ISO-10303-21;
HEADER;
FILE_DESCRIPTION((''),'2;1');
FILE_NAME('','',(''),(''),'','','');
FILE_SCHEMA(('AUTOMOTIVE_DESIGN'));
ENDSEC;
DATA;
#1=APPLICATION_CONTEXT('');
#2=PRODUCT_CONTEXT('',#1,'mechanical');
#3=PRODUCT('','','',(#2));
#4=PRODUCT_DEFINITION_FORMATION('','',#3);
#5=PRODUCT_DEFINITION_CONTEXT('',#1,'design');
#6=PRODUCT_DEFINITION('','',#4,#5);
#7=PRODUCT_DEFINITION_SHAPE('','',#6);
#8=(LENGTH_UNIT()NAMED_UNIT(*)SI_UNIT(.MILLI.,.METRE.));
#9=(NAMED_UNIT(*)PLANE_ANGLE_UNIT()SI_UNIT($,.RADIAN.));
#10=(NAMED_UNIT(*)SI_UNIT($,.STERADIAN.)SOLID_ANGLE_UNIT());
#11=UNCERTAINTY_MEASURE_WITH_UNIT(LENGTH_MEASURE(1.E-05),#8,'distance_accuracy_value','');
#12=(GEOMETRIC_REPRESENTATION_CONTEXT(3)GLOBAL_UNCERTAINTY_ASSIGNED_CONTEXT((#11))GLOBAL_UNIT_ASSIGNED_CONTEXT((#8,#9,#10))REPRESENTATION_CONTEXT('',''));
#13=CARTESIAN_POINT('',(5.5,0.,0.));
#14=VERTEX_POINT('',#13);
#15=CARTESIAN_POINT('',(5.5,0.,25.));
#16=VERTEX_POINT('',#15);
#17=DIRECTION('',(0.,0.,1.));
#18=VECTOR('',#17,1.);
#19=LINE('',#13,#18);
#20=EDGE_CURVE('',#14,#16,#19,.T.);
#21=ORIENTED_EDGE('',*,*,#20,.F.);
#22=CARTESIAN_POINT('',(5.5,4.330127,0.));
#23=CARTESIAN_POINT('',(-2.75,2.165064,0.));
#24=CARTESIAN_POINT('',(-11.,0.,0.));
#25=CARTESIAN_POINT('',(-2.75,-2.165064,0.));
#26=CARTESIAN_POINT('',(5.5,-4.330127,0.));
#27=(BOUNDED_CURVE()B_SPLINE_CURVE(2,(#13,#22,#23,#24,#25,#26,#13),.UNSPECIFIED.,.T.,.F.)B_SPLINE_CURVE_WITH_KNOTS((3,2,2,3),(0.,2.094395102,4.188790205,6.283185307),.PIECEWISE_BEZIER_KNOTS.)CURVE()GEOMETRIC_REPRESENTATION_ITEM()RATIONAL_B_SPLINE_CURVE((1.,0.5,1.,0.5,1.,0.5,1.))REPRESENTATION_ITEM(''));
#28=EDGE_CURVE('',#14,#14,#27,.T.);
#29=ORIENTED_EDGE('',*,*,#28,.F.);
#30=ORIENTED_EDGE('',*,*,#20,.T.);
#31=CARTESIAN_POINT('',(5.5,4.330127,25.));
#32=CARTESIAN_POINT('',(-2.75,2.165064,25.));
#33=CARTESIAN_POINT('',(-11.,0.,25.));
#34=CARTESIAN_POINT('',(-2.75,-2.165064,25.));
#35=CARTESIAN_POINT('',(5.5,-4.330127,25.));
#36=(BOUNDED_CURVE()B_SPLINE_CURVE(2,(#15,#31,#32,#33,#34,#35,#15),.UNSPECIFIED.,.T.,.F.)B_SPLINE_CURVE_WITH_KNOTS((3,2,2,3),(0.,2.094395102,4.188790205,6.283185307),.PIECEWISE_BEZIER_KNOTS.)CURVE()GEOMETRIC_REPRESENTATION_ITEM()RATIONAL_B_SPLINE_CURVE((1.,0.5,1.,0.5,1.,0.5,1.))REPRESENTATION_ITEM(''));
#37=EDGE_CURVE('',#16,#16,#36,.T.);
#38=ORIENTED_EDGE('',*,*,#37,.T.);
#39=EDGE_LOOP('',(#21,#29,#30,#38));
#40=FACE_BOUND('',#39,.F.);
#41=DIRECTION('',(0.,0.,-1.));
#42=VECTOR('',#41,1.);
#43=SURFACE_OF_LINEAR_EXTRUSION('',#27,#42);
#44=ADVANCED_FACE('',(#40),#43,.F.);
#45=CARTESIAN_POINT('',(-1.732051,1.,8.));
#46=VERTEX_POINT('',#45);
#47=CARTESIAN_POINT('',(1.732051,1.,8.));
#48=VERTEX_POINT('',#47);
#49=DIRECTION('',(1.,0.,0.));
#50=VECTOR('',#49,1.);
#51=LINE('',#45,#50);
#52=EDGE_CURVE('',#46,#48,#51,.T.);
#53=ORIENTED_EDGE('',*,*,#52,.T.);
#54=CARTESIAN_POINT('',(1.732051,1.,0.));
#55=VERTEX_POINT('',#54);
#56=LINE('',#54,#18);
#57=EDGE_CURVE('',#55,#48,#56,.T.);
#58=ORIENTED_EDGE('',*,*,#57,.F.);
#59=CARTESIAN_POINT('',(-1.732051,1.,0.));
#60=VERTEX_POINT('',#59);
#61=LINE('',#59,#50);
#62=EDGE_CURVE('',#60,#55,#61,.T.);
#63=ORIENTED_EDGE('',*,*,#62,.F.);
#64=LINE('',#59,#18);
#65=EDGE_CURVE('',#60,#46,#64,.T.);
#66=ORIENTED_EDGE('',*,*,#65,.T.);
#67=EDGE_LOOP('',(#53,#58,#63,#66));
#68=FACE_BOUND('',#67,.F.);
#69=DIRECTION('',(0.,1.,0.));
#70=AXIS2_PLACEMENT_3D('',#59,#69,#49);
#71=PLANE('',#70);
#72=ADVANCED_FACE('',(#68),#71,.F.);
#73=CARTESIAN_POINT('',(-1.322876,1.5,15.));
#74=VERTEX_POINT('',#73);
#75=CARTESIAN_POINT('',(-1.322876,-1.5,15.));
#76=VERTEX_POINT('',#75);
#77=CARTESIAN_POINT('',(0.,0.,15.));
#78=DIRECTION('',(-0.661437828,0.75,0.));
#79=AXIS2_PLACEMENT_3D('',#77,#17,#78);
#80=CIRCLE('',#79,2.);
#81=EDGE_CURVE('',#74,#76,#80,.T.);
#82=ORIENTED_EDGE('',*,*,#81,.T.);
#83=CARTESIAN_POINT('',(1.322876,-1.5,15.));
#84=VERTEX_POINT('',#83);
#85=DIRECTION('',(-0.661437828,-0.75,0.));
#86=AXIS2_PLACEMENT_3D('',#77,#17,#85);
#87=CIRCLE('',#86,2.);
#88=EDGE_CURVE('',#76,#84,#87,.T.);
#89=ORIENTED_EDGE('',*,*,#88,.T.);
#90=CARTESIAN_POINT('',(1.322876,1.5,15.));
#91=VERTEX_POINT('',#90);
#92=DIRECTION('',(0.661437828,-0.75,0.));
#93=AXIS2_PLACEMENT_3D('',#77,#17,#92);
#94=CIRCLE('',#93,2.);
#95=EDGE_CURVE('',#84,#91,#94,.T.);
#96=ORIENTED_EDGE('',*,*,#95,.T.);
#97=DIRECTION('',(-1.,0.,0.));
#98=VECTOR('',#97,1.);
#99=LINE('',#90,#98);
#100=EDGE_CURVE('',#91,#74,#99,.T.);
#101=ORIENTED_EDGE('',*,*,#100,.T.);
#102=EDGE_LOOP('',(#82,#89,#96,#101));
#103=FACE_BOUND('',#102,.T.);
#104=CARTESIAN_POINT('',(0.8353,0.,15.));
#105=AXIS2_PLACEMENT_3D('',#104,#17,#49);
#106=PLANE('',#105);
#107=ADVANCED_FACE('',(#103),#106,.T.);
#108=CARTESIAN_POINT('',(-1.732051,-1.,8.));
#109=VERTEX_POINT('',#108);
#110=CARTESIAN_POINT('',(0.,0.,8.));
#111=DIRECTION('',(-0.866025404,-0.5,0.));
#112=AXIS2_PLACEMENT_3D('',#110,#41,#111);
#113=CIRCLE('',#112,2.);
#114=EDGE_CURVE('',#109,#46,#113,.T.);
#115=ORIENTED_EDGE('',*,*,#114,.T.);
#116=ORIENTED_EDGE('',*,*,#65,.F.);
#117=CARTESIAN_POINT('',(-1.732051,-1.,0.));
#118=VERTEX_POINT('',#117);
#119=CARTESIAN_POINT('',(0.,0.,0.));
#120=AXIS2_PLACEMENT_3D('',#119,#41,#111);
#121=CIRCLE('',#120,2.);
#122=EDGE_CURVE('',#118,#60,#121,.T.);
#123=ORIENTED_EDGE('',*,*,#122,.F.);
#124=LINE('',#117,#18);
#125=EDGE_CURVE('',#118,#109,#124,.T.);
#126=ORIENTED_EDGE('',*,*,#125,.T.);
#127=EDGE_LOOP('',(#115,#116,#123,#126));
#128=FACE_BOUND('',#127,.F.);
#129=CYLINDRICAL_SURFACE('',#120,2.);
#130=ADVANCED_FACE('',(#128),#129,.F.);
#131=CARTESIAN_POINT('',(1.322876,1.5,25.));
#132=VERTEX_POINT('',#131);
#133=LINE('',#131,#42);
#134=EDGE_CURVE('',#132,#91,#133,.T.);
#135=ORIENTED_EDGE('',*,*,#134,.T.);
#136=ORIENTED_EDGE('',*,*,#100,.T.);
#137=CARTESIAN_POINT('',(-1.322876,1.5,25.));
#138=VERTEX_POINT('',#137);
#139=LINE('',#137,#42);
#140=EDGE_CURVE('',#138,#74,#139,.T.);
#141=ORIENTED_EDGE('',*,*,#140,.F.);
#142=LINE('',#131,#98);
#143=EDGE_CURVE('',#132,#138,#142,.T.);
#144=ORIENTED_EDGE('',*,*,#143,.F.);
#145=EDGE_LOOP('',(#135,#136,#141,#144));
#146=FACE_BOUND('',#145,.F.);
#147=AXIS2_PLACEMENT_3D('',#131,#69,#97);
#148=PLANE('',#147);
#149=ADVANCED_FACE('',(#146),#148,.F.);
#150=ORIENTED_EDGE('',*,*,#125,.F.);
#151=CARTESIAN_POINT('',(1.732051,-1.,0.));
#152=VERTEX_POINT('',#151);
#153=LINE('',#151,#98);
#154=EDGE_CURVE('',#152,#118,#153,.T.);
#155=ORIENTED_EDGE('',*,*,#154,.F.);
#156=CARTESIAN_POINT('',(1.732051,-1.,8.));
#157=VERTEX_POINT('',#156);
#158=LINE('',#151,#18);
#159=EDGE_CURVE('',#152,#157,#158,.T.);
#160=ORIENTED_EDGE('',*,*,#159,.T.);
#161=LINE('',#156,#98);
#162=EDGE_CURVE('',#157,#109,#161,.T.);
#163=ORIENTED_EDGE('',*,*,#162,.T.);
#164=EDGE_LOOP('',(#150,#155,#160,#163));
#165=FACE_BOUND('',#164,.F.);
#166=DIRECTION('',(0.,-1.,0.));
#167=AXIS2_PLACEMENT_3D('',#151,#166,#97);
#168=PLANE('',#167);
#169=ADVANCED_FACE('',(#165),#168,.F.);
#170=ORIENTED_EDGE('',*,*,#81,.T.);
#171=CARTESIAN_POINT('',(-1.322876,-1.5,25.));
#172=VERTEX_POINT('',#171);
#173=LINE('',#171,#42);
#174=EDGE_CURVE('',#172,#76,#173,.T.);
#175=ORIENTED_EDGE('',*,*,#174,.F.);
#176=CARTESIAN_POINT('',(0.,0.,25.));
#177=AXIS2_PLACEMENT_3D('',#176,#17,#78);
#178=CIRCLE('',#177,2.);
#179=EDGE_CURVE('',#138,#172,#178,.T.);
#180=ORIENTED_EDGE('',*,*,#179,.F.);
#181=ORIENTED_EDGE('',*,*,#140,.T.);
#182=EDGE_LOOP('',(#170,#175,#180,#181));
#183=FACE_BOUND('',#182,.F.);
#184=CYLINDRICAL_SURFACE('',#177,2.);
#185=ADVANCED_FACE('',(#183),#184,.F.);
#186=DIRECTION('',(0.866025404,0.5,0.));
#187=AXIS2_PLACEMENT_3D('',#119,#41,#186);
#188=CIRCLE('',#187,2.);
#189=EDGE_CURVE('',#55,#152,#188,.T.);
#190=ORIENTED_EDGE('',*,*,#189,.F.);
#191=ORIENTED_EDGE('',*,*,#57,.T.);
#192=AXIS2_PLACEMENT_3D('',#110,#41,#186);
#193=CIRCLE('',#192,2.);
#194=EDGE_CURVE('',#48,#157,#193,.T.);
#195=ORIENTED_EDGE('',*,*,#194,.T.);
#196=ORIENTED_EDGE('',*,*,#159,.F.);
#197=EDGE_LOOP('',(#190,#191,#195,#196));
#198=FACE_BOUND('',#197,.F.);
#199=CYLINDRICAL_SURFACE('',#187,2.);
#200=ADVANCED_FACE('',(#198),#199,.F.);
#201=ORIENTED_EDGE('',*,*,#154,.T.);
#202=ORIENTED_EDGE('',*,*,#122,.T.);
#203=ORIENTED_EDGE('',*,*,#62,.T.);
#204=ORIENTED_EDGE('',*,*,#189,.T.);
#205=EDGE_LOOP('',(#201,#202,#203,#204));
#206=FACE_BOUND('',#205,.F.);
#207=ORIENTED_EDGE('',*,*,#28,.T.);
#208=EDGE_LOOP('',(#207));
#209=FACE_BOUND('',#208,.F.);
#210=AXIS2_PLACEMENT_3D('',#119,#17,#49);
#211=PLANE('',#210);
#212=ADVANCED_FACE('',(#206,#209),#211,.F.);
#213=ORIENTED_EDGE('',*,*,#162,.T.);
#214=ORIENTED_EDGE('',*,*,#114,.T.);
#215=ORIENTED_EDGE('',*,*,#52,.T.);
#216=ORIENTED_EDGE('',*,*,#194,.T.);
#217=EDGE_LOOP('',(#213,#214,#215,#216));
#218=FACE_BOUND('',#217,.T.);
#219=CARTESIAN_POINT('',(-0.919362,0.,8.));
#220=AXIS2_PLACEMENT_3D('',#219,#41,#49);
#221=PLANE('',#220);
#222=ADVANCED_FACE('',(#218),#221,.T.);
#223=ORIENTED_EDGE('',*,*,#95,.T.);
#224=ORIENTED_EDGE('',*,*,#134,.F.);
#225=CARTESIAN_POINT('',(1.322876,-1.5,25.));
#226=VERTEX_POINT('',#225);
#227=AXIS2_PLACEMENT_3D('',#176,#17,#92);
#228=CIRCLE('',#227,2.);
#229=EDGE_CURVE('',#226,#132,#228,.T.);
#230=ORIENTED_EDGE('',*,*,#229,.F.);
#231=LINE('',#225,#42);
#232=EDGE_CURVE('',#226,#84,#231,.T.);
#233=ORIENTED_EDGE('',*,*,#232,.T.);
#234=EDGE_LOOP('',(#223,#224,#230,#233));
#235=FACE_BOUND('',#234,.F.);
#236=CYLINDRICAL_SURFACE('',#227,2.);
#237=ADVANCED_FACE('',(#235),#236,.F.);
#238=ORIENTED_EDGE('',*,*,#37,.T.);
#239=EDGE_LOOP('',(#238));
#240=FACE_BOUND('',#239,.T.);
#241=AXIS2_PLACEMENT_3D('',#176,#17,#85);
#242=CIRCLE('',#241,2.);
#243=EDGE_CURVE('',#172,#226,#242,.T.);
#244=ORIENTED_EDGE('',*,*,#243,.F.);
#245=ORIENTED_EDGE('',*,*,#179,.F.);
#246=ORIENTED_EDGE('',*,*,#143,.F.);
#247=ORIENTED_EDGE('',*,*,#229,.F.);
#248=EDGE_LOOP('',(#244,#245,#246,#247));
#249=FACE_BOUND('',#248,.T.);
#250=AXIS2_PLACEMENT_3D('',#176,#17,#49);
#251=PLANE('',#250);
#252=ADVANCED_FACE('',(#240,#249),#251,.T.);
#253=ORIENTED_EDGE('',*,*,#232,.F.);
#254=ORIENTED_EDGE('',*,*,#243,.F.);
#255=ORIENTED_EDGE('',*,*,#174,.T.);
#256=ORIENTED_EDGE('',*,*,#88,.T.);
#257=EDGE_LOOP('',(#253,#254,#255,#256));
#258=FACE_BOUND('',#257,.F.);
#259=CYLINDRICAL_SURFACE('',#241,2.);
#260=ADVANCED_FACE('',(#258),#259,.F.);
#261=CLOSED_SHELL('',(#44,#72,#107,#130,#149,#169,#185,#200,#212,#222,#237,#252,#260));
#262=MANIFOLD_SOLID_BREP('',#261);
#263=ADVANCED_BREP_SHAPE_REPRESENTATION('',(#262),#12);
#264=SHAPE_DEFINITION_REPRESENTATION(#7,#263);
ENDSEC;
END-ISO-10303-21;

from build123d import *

# Parameters (mm, degrees)
F1_DEPTH = 25
F4_DEPTH = 10
F6_DEPTH = 8


with BuildPart() as f1:
    # F0 (on Top) → F1 (new body)
    with BuildSketch(Plane.XY):
        with BuildLine():
            add(Edge.make_bspline(
                [(5.5, 0), (5.5, 4.3301270189), (-2.75, 2.1650635095), (-11, 0), (-2.75, -2.1650635095), (5.5, -4.3301270189), (5.5, 0)],
                knots=[0, 0, 0, 2.0943951024, 2.0943951024, 4.1887902048, 4.1887902048, 6.2831853072, 6.2831853072, 6.2831853072], degree=2, weights=[1, 0.5, 1, 0.5, 1, 0.5, 1]))
        make_face()
    extrude(amount=F1_DEPTH)

    # F3 (on face) → F4 (cut)
    with BuildSketch(Plane.XY.offset(25)):
        with BuildLine():
            Line((1.3228756555, 1.5), (0, 1.5))
            Line((0, 1.5), (0, 0))
            Line((0, 0), (0, -1.5))
            Line((0, -1.5), (1.3228756555, -1.5))
            ThreePointArc((1.3228756555, -1.5), (2, 0), (1.3228756555, 1.5))
        make_face()
        with BuildLine():
            Line((0, 1.5), (-1.3228756555, 1.5))
            ThreePointArc((-1.3228756555, 1.5), (-2, 0), (-1.3228756555, -1.5))
            Line((-1.3228756555, -1.5), (0, -1.5))
            Line((0, -1.5), (0, 0))
            Line((0, 0), (0, 1.5))
        make_face()
        with BuildLine():
            Line((0, -1.5), (-1.3228756555, -1.5))
            ThreePointArc((-1.3228756555, -1.5), (0, -2), (1.3228756555, -1.5))
            Line((1.3228756555, -1.5), (0, -1.5))
        make_face()
    extrude(amount=-F4_DEPTH, mode=Mode.SUBTRACT)

    # F5 (on face) → F6 (cut)
    with BuildSketch(Plane(origin=(0, 0, 0), x_dir=(1, 0, 0), z_dir=(0, 0, -1))):
        with BuildLine():
            Line((0, 1), (-1.7320508076, 1))
            ThreePointArc((-1.7320508076, 1), (-2, 0), (-1.7320508076, -1))
            Line((-1.7320508076, -1), (0, -1))
            Line((0, -1), (0, 0))
            Line((0, 0), (0, 1))
        make_face()
        with BuildLine():
            Line((1.7320508076, 1), (0, 1))
            Line((0, 1), (0, 0))
            Line((0, 0), (0, -1))
            Line((0, -1), (1.7320508076, -1))
            ThreePointArc((1.7320508076, -1), (2, 0), (1.7320508076, 1))
        make_face()
    extrude(amount=-F6_DEPTH, mode=Mode.SUBTRACT)


solid = f1.part
